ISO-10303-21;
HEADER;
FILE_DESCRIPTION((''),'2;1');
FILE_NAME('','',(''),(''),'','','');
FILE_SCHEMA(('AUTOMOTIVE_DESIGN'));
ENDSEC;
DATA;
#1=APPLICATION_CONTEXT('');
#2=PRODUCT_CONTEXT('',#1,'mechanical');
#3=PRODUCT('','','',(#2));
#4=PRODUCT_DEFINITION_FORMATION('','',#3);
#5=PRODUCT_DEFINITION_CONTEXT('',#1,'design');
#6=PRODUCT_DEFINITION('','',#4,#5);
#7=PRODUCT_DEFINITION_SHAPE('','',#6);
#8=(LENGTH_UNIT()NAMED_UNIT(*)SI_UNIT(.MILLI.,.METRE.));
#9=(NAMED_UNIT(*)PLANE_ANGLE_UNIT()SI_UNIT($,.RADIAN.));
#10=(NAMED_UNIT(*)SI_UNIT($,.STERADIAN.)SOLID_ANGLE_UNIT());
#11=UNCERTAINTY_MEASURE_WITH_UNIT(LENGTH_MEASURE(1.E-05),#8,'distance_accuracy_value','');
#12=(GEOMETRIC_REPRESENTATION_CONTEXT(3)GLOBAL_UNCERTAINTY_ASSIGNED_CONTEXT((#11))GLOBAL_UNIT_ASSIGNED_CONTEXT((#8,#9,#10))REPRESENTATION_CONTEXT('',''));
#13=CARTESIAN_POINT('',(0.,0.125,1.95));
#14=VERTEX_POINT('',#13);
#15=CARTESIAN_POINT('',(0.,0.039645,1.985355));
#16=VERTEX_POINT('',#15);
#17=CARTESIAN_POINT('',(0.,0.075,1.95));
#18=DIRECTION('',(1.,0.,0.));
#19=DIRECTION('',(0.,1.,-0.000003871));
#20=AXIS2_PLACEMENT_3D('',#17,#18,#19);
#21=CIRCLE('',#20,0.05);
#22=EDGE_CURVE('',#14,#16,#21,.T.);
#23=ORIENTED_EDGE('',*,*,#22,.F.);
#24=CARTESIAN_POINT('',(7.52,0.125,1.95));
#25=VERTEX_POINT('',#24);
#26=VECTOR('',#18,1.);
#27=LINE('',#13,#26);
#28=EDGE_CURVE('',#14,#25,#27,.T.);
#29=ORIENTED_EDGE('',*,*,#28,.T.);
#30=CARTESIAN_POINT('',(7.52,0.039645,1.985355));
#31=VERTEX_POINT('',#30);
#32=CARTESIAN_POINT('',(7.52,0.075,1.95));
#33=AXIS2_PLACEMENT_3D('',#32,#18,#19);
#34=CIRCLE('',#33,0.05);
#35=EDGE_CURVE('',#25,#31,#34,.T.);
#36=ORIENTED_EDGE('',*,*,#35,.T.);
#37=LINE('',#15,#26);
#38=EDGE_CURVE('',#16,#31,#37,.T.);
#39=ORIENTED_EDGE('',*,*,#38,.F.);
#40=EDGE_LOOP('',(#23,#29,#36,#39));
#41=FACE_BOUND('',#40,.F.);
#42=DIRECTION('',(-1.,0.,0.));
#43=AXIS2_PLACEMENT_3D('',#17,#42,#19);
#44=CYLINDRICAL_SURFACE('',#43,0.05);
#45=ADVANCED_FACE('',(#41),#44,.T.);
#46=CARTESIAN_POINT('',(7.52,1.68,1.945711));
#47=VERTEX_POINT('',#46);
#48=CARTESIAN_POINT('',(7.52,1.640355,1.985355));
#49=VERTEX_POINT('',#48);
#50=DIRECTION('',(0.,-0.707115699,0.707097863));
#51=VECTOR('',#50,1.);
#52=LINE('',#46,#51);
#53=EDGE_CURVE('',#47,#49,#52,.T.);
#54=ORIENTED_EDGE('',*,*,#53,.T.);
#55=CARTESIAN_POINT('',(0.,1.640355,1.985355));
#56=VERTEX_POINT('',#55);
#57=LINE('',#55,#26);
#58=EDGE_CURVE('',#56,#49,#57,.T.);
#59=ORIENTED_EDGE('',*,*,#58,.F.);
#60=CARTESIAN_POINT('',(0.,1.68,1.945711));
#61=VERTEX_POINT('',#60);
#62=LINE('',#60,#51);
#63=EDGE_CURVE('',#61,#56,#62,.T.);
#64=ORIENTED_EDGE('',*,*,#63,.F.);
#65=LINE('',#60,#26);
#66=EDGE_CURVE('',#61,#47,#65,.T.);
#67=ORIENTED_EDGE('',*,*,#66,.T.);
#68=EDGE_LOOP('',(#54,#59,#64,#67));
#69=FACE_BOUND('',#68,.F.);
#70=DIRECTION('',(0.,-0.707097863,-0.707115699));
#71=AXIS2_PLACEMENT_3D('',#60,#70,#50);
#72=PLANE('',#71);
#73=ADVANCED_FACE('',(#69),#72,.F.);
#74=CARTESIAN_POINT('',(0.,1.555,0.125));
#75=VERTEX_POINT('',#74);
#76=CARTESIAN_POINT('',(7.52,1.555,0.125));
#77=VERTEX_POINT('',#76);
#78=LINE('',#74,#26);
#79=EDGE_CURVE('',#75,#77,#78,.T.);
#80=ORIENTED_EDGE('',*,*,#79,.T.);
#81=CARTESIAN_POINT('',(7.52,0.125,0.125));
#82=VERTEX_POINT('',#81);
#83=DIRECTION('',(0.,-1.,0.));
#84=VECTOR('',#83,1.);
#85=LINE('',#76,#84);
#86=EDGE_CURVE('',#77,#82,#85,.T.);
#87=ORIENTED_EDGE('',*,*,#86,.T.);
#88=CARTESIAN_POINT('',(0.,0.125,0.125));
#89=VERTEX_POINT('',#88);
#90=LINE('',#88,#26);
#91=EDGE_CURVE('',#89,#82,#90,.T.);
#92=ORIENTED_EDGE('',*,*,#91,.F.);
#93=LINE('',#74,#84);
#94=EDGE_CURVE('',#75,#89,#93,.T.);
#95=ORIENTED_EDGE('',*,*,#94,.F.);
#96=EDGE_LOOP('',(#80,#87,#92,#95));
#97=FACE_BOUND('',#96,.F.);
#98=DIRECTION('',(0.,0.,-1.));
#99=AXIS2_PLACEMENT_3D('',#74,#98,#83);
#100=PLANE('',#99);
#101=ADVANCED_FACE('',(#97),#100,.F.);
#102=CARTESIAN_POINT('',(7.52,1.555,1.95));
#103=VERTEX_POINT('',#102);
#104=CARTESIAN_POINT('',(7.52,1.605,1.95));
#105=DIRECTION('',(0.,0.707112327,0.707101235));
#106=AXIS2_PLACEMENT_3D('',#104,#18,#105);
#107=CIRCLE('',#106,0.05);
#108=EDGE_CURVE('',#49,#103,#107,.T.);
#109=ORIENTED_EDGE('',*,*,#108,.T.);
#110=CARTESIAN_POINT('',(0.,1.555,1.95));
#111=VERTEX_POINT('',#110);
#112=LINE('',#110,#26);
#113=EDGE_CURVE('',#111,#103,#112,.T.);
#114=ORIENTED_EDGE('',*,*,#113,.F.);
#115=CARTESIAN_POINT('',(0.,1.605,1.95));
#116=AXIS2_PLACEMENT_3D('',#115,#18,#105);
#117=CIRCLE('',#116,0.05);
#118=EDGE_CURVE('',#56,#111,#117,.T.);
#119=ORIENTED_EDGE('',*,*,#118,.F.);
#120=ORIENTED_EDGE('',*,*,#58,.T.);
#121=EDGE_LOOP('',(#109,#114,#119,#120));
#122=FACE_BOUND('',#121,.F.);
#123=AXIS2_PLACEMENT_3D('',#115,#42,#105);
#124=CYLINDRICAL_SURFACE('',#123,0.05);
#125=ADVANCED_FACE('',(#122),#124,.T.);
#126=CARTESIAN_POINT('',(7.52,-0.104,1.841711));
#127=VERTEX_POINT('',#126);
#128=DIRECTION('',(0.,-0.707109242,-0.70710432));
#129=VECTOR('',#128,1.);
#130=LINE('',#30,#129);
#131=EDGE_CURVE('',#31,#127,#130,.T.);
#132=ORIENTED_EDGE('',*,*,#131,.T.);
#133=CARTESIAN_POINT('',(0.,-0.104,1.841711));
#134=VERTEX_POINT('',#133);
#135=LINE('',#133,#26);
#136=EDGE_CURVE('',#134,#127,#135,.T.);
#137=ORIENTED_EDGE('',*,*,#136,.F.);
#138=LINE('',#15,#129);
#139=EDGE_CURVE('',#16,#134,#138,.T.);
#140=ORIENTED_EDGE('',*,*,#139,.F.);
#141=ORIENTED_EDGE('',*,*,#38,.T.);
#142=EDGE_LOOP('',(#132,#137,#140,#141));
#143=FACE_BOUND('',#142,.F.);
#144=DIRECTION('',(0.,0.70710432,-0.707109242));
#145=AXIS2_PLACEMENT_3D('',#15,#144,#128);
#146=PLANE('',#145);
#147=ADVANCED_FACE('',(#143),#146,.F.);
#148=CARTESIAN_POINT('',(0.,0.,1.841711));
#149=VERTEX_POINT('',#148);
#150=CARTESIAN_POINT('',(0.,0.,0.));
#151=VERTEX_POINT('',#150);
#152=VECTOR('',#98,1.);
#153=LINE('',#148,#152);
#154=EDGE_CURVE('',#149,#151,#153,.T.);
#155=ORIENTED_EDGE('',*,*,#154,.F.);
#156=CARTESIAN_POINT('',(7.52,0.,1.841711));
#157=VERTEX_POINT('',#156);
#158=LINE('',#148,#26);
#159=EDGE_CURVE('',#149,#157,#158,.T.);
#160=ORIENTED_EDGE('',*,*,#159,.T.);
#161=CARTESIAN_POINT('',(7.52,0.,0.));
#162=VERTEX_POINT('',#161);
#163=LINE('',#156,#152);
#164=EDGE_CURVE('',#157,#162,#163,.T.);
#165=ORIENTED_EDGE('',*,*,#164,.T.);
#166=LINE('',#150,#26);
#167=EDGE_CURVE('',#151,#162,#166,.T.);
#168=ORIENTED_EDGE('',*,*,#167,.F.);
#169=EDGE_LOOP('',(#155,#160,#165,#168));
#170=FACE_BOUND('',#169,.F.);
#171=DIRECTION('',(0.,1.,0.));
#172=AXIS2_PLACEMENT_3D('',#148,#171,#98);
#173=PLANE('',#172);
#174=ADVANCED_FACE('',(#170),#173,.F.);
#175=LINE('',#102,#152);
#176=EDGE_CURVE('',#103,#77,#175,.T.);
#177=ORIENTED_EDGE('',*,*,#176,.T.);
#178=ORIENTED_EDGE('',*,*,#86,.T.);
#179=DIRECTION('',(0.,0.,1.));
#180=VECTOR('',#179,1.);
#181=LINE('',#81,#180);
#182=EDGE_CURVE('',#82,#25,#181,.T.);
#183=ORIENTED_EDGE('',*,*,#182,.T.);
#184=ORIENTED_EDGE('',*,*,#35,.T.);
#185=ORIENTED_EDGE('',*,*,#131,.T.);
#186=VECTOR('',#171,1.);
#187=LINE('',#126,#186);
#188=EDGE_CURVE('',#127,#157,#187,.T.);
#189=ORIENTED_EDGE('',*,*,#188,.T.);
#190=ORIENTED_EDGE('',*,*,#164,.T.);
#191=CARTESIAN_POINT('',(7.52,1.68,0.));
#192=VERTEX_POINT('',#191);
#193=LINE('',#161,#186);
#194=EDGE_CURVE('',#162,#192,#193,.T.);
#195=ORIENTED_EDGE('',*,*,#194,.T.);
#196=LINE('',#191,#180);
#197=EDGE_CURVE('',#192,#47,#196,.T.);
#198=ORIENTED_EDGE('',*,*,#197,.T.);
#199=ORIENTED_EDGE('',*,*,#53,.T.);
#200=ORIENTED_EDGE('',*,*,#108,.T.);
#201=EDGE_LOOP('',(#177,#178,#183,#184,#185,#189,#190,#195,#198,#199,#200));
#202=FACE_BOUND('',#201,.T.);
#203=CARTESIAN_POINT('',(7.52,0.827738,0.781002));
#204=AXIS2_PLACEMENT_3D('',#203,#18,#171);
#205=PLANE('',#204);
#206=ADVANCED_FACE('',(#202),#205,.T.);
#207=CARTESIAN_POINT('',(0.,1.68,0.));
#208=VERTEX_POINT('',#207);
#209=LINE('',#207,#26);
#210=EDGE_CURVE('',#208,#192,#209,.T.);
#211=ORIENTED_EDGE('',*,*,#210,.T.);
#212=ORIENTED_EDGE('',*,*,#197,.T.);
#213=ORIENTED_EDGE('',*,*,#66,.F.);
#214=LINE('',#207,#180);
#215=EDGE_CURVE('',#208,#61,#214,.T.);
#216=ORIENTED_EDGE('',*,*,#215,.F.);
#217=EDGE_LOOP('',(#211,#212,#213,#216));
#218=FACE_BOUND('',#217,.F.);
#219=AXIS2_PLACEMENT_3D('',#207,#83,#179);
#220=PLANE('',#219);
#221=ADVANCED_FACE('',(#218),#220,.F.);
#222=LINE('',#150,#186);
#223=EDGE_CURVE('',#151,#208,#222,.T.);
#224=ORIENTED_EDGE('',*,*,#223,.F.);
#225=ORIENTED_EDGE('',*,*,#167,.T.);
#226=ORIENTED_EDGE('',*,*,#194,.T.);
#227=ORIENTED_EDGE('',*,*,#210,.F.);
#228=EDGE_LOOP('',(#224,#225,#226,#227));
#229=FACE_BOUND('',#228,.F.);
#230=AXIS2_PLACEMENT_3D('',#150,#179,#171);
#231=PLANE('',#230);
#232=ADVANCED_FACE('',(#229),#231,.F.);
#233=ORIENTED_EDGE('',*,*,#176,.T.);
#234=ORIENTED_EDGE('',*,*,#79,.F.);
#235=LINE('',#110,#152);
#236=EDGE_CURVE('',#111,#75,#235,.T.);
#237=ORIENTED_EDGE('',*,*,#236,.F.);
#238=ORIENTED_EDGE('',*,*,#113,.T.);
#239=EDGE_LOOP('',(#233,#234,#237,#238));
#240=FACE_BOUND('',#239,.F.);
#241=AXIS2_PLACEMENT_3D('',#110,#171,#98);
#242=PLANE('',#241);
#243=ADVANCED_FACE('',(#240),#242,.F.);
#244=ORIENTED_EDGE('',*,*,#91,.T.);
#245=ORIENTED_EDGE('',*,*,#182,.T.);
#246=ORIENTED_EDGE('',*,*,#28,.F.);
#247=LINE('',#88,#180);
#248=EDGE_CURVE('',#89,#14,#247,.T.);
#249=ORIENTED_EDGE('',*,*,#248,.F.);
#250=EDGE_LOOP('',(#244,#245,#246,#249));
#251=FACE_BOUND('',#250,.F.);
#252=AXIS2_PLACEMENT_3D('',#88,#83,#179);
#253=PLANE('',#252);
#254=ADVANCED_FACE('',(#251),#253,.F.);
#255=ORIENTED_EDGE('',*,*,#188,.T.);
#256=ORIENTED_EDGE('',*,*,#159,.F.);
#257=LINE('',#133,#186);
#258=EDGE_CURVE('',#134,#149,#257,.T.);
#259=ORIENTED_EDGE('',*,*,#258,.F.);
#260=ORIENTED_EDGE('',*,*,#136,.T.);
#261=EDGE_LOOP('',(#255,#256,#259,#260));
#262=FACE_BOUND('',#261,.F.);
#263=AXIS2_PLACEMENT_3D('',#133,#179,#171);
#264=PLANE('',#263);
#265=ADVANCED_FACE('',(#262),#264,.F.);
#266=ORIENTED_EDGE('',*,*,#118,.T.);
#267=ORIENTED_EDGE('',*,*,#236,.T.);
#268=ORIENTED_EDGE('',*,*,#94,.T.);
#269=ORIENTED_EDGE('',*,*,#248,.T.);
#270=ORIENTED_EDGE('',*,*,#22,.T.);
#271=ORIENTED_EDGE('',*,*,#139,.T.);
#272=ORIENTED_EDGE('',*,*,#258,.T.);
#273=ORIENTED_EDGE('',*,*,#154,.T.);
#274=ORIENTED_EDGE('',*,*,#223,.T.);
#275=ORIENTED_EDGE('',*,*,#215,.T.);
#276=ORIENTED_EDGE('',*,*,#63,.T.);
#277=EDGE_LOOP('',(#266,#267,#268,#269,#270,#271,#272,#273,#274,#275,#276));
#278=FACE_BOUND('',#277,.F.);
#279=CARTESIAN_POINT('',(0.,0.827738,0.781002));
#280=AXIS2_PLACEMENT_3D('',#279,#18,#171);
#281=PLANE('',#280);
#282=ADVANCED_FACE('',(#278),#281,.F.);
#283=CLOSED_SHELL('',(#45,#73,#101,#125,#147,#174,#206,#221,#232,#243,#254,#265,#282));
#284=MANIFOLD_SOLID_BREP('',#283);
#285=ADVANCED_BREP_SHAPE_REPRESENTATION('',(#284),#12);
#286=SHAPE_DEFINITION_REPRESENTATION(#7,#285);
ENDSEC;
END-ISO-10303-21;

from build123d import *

# Parameters (mm, degrees)
F1_DEPTH = 7.52


with BuildPart() as f1:
    # F0 (on Right) → F1 (new body)
    with BuildSketch(Plane.YZ):
        with BuildLine():
            Line((0, 1.841711), (0, 0))
            Line((0, 0), (1.68, 0))
            Line((1.68, 0), (1.68, 1.841711))
            Line((1.68, 1.841711), (1.68, 1.945711))
            Line((1.68, 1.945711), (1.640355, 1.985355))
            ThreePointArc((1.640355, 1.985355), (1.585866, 1.996194), (1.555, 1.95))
            Line((1.555, 1.95), (1.555, 0.125))
            Line((1.555, 0.125), (0.125, 0.125))
            Line((0.125, 0.125), (0.125, 1.95))
            ThreePointArc((0.125, 1.95), (0.094134, 1.996194), (0.039645, 1.985355))
            Line((0.039645, 1.985355), (-0.104, 1.841711))
            Line((-0.104, 1.841711), (0, 1.841711))
        make_face()
    extrude(amount=F1_DEPTH)


solid = f1.part
